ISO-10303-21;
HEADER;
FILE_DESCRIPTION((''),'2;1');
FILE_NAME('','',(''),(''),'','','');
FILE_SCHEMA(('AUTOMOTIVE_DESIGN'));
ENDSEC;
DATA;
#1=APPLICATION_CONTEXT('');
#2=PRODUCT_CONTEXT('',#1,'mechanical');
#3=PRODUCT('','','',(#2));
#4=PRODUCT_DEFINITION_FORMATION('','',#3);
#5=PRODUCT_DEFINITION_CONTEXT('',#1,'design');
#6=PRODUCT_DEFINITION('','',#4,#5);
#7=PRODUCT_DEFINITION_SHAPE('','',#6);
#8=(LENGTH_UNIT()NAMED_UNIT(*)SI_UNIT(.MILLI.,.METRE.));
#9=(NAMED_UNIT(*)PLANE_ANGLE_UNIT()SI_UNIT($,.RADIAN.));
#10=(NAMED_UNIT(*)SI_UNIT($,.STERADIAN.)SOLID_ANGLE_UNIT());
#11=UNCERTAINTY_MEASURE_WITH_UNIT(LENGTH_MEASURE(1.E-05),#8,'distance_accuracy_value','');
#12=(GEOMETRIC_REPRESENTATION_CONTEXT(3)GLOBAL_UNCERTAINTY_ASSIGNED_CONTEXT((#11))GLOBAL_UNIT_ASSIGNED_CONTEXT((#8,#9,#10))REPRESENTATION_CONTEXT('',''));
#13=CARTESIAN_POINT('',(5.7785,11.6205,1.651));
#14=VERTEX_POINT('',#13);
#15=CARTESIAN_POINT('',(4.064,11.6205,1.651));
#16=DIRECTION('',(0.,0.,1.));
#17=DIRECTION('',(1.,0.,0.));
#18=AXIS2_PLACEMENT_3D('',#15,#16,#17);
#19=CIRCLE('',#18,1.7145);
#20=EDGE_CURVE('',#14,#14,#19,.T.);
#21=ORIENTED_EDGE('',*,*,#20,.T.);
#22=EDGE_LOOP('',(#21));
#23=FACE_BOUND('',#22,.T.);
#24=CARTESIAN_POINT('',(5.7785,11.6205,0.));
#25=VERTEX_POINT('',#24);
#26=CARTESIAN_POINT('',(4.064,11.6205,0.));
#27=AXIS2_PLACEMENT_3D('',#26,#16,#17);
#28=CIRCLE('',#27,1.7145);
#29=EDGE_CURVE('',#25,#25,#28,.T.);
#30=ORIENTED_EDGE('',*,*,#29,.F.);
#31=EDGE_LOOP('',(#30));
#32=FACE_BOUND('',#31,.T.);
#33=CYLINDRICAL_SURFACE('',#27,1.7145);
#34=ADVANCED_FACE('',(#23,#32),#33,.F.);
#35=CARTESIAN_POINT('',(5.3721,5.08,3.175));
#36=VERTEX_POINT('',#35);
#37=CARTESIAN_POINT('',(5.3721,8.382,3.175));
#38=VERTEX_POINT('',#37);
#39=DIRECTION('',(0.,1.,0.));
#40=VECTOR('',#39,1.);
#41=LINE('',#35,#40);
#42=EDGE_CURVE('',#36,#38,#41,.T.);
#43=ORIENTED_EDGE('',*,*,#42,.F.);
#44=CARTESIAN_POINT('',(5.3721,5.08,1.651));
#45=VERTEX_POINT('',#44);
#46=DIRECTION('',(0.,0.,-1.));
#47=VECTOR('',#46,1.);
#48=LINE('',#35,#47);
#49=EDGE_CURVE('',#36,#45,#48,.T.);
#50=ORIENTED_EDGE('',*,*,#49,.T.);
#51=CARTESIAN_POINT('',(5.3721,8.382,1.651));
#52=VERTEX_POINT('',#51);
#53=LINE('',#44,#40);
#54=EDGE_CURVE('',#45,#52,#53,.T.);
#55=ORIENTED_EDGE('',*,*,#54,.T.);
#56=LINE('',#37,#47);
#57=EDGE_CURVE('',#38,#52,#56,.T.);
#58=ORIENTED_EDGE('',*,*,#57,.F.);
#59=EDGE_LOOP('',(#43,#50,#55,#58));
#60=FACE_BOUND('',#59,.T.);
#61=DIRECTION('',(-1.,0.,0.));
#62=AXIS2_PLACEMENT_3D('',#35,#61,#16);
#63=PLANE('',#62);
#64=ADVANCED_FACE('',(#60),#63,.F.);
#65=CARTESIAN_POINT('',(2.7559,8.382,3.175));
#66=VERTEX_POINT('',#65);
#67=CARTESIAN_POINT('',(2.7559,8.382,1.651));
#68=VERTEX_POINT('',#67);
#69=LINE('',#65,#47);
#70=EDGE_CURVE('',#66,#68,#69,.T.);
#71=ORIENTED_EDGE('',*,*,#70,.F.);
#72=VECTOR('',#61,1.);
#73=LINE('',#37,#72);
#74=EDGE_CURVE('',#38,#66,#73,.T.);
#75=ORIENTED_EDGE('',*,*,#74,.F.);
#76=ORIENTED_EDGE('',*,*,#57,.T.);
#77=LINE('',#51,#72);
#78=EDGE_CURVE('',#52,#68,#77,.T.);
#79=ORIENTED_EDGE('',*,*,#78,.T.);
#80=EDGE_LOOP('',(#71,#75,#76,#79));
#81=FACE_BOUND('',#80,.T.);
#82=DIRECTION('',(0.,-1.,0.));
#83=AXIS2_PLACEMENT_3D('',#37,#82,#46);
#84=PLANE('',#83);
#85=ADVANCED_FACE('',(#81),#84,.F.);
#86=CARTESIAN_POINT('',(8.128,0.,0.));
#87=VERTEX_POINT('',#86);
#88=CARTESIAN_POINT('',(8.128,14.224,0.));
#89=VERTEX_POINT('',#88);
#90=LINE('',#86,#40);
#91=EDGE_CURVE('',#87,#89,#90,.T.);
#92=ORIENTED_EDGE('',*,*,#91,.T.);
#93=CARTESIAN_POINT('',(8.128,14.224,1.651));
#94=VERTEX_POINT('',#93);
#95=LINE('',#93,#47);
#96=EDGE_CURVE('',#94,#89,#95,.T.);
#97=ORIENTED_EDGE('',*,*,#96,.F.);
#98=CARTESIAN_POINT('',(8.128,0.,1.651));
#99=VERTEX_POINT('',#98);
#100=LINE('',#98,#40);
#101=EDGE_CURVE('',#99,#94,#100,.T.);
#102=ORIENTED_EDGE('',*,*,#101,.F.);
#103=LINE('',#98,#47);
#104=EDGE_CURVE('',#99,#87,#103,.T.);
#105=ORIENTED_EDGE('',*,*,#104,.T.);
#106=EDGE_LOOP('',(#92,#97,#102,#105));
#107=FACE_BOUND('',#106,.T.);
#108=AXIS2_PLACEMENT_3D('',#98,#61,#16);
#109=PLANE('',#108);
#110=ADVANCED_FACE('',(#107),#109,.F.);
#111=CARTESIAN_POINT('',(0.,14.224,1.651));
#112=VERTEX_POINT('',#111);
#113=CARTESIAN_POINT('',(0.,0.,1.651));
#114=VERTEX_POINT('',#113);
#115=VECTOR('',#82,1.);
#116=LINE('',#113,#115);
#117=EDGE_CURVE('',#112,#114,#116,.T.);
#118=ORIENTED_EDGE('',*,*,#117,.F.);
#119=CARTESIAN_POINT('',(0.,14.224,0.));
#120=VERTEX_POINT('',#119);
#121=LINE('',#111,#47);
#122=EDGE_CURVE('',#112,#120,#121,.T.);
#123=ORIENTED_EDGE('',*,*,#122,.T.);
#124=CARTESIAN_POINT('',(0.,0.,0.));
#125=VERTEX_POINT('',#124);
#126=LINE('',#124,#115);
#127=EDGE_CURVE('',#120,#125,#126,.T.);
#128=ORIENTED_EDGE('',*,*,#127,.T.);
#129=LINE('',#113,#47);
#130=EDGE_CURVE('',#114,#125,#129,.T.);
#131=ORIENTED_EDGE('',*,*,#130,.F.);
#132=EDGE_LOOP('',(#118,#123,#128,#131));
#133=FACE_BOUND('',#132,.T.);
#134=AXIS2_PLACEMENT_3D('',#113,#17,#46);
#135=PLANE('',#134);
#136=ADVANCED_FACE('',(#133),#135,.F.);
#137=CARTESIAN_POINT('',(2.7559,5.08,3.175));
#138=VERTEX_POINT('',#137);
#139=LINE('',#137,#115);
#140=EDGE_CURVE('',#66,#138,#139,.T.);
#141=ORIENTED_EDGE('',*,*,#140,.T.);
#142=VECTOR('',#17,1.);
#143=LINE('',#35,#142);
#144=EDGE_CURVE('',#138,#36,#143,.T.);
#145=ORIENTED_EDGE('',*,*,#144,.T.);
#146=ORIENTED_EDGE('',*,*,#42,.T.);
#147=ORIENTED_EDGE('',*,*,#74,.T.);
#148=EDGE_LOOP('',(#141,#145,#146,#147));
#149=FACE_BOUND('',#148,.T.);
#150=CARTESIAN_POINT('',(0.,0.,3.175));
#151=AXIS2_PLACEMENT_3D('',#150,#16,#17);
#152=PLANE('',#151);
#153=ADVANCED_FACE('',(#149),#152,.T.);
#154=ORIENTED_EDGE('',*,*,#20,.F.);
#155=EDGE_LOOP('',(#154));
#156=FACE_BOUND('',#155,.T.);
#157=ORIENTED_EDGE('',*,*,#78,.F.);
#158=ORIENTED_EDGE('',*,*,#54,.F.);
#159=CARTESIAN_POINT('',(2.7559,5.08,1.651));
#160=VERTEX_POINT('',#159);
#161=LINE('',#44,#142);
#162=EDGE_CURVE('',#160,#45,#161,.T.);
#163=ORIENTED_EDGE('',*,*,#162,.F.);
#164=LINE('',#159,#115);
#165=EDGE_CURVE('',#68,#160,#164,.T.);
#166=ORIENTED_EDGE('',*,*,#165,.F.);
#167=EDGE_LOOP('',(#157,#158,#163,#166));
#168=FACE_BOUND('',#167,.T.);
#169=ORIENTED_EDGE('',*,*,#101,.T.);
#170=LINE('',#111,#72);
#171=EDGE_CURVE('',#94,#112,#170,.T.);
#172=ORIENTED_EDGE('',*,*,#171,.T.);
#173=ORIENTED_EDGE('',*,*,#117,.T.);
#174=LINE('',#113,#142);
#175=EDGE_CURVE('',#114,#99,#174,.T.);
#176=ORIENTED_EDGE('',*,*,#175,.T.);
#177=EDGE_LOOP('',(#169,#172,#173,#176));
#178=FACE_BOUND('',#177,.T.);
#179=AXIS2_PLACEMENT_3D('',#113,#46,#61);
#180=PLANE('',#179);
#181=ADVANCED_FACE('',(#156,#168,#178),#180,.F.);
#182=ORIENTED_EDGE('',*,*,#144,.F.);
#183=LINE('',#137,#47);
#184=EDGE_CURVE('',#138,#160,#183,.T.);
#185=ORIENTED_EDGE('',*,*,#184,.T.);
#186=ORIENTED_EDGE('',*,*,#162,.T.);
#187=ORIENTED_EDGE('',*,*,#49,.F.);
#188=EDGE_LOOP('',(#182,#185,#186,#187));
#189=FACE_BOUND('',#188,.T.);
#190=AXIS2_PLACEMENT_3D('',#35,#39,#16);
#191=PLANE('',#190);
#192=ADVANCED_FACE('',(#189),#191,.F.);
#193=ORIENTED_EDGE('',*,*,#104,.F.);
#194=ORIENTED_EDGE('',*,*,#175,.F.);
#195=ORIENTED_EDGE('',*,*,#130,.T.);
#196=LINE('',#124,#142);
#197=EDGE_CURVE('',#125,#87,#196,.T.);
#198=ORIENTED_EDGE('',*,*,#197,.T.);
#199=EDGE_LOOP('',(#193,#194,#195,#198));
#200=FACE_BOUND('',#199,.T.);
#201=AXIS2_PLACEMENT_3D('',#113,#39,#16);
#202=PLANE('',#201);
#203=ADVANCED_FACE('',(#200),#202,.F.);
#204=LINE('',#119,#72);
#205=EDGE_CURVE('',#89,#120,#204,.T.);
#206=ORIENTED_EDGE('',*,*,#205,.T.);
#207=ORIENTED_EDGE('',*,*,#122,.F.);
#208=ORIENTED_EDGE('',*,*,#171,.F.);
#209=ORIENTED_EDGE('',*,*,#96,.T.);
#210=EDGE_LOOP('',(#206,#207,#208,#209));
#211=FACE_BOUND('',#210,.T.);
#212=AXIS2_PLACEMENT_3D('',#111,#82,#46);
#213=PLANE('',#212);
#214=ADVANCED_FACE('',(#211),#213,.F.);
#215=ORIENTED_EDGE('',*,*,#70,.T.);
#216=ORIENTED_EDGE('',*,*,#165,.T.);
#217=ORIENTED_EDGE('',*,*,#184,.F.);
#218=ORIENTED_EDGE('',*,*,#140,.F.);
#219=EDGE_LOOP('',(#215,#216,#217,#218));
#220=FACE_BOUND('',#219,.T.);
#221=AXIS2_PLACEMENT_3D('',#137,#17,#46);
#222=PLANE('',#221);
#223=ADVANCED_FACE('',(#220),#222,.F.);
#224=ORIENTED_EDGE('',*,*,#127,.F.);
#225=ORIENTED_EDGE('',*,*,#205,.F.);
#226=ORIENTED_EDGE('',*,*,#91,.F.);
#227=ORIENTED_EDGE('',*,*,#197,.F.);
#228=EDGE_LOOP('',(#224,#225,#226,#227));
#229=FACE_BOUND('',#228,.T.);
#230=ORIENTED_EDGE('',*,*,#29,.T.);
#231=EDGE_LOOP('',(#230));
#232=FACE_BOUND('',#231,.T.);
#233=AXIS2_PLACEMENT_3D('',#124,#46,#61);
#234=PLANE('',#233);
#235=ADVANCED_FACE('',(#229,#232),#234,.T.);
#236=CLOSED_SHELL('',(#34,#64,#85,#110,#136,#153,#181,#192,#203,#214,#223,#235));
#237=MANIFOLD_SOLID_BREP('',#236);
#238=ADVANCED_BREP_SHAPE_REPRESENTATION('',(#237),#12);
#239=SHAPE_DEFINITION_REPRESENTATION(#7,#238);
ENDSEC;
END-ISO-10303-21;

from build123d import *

# Parameters (mm, degrees)
SKETCH1_W           = 8.128
SKETCH1_H           = 14.224
BOSS_EXTRUDE1_DEPTH = 1.651
SKETCH2_W           = 2.6162
SKETCH2_H           = 3.302
BOSS_EXTRUDE2_DEPTH = 1.524
SKETCH3_R           = 1.7145
CUT_EXTRUDE1_DEPTH  = 2.651


with BuildPart() as part:
    # Sketch1 → Boss-Extrude1 (new body)
    with BuildSketch(Plane.XY):
        with Locations((4.064, 7.112)):
            Rectangle(SKETCH1_W, SKETCH1_H)
    extrude(amount=BOSS_EXTRUDE1_DEPTH)

    # Sketch2 → Boss-Extrude2 (add)
    with BuildSketch(Plane.XY.offset(1.651)):
        with Locations((4.064, 6.731)):
            Rectangle(SKETCH2_W, SKETCH2_H)
    extrude(amount=BOSS_EXTRUDE2_DEPTH)

    # Sketch3 → Cut-Extrude1 (cut, through all)
    with BuildSketch(Plane.XY.offset(1.651)):
        with Locations((4.064, 11.6205)):
            Circle(SKETCH3_R)
    extrude(amount=-CUT_EXTRUDE1_DEPTH, mode=Mode.SUBTRACT)


solid = part.part
